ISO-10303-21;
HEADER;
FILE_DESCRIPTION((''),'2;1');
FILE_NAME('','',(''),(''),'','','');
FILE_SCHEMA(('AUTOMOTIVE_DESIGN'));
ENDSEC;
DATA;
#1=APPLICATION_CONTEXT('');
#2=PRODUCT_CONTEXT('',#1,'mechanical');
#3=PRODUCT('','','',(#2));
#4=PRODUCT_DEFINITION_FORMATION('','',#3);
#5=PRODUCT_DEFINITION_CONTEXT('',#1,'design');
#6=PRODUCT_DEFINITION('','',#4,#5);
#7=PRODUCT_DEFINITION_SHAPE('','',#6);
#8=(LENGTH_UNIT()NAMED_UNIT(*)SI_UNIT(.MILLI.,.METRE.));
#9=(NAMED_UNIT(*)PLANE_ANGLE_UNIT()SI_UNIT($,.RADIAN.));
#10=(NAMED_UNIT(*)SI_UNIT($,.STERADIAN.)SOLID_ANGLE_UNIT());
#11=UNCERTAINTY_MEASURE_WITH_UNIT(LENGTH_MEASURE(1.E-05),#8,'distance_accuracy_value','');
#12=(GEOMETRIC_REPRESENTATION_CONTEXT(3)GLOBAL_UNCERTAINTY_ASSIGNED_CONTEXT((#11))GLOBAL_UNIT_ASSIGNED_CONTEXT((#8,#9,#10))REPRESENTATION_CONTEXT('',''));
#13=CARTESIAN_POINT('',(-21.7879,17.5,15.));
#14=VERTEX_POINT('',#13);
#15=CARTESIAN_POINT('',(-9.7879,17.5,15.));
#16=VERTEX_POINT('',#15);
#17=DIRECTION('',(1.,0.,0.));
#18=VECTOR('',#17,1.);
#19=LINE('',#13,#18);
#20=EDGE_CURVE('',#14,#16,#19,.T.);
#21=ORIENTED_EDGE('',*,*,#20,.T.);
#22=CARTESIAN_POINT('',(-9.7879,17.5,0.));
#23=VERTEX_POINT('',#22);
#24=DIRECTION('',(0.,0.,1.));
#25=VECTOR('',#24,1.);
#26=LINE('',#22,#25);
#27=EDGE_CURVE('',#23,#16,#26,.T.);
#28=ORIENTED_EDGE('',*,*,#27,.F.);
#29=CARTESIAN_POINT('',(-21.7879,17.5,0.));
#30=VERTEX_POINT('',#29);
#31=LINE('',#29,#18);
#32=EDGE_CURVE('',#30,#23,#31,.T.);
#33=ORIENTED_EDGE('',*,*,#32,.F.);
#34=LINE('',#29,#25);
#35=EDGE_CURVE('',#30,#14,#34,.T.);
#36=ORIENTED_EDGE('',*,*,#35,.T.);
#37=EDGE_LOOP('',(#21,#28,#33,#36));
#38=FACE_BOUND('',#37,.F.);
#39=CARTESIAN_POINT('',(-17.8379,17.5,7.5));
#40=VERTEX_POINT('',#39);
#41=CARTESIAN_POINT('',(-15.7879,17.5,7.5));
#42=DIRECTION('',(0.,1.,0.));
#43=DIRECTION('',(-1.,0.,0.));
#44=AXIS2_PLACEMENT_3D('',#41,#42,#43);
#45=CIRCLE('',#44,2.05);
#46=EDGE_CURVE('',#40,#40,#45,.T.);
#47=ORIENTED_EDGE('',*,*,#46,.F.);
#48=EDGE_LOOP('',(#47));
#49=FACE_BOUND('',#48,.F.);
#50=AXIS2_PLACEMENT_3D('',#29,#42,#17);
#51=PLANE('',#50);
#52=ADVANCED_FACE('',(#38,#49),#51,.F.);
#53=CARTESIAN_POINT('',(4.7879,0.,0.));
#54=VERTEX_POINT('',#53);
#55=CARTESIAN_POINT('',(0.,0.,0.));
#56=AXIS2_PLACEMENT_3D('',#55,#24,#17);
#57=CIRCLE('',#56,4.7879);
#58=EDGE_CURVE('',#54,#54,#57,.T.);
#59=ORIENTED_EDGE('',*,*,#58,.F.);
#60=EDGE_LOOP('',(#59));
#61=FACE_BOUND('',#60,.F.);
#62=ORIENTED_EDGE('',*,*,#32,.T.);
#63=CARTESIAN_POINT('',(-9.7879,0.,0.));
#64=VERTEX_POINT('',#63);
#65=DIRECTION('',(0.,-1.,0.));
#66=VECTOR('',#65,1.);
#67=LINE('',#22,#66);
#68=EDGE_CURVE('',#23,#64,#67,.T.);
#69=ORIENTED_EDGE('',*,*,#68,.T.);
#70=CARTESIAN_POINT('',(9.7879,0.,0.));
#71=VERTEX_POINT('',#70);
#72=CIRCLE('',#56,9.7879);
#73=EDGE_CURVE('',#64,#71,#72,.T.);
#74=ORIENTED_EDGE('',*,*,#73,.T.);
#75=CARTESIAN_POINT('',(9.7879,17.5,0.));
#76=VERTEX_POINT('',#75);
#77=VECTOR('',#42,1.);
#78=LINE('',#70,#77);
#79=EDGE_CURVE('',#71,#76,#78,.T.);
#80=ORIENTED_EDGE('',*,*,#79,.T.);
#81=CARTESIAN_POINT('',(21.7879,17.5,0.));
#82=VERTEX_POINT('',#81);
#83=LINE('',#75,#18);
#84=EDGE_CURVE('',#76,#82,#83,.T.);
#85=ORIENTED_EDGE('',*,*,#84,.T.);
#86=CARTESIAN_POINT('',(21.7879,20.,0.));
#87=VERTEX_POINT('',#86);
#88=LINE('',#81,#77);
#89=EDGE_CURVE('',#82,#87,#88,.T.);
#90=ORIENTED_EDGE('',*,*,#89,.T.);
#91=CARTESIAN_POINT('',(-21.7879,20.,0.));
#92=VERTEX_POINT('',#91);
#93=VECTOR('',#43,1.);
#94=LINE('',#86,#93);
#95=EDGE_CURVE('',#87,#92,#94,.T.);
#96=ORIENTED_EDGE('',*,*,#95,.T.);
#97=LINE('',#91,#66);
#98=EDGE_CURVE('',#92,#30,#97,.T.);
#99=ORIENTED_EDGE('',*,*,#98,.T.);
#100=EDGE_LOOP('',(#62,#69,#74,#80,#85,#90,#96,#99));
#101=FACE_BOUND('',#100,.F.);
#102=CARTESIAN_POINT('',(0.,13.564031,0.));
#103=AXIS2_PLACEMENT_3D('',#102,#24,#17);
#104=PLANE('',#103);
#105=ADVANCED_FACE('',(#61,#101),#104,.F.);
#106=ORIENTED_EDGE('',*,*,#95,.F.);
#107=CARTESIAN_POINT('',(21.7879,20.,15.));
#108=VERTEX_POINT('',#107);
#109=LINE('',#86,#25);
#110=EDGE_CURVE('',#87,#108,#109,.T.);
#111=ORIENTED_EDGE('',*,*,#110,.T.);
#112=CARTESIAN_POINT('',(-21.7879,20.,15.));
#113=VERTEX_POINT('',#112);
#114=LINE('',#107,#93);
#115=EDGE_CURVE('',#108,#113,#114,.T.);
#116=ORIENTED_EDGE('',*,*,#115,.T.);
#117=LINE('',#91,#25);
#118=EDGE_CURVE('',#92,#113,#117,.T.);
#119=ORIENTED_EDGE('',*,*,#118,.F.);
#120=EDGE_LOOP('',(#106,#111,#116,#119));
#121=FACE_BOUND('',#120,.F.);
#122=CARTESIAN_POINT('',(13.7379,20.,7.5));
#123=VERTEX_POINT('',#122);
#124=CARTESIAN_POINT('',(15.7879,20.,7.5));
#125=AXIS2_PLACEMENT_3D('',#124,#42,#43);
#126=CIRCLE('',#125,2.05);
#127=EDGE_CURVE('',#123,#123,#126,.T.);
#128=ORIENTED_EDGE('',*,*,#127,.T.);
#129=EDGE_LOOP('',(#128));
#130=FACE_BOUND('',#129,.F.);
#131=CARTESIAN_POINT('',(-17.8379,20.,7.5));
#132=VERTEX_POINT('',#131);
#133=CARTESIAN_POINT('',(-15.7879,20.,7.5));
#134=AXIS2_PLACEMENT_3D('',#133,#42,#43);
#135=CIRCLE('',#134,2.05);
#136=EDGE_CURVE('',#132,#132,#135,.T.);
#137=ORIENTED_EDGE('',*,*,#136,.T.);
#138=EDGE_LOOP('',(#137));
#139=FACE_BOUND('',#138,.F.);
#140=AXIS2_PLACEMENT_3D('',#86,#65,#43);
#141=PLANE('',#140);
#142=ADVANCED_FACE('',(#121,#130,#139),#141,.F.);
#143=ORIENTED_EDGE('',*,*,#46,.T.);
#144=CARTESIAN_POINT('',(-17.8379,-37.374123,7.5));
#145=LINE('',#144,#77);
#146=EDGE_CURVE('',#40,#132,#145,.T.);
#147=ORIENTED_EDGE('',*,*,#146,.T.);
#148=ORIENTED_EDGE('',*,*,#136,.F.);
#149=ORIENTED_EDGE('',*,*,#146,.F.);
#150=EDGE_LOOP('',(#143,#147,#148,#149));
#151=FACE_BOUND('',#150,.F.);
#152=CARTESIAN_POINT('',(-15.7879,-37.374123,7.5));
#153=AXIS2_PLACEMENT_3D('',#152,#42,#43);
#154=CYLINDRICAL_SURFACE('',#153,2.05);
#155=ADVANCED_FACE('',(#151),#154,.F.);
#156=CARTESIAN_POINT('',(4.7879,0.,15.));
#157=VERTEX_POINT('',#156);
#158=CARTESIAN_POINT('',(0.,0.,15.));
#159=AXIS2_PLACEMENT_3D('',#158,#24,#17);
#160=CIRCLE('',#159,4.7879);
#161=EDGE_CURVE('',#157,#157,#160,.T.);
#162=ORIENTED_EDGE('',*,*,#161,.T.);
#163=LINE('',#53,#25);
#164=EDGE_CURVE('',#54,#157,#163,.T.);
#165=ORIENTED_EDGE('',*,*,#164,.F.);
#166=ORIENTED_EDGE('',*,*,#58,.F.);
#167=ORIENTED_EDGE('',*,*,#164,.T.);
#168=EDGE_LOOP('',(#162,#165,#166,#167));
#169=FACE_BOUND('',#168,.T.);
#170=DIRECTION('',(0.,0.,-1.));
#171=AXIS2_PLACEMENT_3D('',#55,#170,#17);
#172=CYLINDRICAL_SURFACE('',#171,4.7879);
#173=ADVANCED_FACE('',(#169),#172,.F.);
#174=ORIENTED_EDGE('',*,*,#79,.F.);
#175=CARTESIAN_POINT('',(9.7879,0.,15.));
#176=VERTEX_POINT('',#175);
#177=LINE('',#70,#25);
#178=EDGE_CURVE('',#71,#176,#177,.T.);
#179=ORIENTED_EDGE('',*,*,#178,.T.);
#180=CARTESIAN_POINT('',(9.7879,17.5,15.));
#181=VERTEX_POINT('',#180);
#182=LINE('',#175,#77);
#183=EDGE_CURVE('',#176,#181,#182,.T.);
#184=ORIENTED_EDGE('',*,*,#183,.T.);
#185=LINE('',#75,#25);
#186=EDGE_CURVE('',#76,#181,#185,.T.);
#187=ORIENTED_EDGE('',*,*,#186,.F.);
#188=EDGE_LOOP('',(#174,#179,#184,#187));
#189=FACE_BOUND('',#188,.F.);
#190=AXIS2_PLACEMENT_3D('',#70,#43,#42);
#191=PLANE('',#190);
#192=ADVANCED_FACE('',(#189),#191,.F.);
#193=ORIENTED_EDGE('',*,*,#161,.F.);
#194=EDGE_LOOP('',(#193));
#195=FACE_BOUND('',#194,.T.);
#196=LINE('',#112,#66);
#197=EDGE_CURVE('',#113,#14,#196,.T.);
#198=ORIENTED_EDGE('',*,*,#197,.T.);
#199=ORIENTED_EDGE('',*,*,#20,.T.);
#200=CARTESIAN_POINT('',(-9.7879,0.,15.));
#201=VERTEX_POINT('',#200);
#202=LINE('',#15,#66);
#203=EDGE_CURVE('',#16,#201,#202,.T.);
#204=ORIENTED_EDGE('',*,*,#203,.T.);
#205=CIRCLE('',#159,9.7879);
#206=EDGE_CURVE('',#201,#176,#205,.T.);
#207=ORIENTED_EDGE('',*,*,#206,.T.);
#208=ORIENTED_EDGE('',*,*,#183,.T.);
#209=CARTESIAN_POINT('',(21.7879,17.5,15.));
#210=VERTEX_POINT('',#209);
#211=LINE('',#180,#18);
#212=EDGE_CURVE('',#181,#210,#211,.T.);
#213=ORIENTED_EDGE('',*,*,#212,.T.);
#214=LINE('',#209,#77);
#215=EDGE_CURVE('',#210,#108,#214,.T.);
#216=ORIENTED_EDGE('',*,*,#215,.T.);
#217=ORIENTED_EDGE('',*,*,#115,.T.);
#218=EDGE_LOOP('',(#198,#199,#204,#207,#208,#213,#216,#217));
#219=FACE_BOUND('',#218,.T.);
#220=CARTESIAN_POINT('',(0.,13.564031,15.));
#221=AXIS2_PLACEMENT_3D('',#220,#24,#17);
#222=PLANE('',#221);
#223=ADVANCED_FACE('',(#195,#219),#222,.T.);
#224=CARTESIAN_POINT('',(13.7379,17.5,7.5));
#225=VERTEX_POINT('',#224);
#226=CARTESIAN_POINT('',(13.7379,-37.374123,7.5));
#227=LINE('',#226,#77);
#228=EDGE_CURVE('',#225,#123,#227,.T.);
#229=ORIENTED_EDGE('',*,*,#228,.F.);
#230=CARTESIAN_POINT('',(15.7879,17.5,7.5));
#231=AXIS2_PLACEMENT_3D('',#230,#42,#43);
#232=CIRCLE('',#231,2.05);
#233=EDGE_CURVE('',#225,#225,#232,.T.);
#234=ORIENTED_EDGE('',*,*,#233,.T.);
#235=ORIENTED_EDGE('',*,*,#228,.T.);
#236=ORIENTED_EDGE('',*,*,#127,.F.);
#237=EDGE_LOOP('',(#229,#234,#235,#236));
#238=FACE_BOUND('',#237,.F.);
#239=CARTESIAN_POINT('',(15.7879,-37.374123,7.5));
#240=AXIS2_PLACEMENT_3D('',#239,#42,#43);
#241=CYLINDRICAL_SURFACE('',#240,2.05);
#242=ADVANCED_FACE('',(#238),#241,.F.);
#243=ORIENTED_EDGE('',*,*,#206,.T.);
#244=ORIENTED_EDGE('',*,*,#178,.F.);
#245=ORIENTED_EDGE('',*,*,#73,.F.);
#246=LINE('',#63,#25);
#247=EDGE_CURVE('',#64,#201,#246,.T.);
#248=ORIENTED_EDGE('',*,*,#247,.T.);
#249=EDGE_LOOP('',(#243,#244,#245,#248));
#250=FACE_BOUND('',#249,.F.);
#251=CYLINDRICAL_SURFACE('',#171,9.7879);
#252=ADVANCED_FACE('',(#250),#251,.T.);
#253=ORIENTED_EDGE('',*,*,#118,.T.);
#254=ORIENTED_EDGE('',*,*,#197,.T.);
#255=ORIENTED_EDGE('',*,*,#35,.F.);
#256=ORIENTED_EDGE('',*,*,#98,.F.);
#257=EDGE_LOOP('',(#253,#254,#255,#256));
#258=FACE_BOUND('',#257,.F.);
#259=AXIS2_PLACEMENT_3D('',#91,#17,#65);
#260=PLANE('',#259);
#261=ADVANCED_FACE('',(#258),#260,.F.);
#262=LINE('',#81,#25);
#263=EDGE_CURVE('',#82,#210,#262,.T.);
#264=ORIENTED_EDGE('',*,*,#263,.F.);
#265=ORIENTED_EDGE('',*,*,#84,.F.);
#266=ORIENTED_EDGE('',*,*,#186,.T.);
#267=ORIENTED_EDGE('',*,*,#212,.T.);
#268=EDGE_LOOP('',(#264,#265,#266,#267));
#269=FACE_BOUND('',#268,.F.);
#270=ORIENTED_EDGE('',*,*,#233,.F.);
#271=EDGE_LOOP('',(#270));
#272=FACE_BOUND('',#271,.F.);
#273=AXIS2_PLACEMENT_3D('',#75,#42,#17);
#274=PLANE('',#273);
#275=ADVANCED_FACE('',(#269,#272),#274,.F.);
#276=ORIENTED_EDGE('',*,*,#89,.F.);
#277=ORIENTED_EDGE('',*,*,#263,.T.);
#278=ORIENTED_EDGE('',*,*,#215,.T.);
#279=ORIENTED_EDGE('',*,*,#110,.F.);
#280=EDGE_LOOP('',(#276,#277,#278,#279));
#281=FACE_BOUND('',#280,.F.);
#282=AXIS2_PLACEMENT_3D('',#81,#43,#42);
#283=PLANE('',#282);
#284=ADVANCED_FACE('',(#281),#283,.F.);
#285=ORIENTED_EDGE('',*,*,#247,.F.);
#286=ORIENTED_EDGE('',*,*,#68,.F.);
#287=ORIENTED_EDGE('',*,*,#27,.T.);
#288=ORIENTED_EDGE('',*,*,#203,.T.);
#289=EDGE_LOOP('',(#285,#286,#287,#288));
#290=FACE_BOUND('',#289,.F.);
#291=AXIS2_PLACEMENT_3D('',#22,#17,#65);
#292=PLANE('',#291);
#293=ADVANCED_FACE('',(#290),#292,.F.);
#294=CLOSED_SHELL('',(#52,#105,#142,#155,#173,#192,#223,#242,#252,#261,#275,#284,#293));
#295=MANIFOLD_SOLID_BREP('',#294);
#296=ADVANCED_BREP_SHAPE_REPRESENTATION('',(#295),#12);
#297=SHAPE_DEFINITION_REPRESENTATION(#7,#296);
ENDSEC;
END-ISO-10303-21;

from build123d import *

# Parameters (mm, degrees)
F0_R     = 4.7879
F1_DEPTH = 15
F4_D     = 4.1
F5_D     = 4.1


with BuildPart() as f1:
    # F0 (on Top) → F1 (new body)
    with BuildSketch(Plane.XY):
        with BuildLine():
            ThreePointArc((-9.7879, 0), (0, 9.7879), (9.7879, 0))
            Line((9.7879, 0), (9.7879, 17.5))
            Line((9.7879, 17.5), (21.7879, 17.5))
            Line((21.7879, 17.5), (21.7879, 20))
            Line((21.7879, 20), (0, 20))
            Line((0, 20), (-21.7879, 20))
            Line((-21.7879, 20), (-21.7879, 17.5))
            Line((-21.7879, 17.5), (-9.7879, 17.5))
            Line((-9.7879, 17.5), (-9.7879, 0))
        make_face()
        with BuildLine():
            ThreePointArc((-9.7879, 0), (0, -9.7879), (9.7879, 0))
            ThreePointArc((9.7879, 0), (0, 9.7879), (-9.7879, 0))
        make_face()
        Circle(F0_R, mode=Mode.SUBTRACT)
    extrude(amount=F1_DEPTH)

    # F4 (through all)
    with Locations(Plane.XZ.offset(-17.5)):
        with Locations((15.7879, 7.5)):
            Hole(F4_D / 2)

    # F5 (through all)
    with Locations(Plane.XZ.offset(-17.5)):
        with Locations((-15.7879, 7.5)):
            Hole(F5_D / 2)


solid = f1.part
